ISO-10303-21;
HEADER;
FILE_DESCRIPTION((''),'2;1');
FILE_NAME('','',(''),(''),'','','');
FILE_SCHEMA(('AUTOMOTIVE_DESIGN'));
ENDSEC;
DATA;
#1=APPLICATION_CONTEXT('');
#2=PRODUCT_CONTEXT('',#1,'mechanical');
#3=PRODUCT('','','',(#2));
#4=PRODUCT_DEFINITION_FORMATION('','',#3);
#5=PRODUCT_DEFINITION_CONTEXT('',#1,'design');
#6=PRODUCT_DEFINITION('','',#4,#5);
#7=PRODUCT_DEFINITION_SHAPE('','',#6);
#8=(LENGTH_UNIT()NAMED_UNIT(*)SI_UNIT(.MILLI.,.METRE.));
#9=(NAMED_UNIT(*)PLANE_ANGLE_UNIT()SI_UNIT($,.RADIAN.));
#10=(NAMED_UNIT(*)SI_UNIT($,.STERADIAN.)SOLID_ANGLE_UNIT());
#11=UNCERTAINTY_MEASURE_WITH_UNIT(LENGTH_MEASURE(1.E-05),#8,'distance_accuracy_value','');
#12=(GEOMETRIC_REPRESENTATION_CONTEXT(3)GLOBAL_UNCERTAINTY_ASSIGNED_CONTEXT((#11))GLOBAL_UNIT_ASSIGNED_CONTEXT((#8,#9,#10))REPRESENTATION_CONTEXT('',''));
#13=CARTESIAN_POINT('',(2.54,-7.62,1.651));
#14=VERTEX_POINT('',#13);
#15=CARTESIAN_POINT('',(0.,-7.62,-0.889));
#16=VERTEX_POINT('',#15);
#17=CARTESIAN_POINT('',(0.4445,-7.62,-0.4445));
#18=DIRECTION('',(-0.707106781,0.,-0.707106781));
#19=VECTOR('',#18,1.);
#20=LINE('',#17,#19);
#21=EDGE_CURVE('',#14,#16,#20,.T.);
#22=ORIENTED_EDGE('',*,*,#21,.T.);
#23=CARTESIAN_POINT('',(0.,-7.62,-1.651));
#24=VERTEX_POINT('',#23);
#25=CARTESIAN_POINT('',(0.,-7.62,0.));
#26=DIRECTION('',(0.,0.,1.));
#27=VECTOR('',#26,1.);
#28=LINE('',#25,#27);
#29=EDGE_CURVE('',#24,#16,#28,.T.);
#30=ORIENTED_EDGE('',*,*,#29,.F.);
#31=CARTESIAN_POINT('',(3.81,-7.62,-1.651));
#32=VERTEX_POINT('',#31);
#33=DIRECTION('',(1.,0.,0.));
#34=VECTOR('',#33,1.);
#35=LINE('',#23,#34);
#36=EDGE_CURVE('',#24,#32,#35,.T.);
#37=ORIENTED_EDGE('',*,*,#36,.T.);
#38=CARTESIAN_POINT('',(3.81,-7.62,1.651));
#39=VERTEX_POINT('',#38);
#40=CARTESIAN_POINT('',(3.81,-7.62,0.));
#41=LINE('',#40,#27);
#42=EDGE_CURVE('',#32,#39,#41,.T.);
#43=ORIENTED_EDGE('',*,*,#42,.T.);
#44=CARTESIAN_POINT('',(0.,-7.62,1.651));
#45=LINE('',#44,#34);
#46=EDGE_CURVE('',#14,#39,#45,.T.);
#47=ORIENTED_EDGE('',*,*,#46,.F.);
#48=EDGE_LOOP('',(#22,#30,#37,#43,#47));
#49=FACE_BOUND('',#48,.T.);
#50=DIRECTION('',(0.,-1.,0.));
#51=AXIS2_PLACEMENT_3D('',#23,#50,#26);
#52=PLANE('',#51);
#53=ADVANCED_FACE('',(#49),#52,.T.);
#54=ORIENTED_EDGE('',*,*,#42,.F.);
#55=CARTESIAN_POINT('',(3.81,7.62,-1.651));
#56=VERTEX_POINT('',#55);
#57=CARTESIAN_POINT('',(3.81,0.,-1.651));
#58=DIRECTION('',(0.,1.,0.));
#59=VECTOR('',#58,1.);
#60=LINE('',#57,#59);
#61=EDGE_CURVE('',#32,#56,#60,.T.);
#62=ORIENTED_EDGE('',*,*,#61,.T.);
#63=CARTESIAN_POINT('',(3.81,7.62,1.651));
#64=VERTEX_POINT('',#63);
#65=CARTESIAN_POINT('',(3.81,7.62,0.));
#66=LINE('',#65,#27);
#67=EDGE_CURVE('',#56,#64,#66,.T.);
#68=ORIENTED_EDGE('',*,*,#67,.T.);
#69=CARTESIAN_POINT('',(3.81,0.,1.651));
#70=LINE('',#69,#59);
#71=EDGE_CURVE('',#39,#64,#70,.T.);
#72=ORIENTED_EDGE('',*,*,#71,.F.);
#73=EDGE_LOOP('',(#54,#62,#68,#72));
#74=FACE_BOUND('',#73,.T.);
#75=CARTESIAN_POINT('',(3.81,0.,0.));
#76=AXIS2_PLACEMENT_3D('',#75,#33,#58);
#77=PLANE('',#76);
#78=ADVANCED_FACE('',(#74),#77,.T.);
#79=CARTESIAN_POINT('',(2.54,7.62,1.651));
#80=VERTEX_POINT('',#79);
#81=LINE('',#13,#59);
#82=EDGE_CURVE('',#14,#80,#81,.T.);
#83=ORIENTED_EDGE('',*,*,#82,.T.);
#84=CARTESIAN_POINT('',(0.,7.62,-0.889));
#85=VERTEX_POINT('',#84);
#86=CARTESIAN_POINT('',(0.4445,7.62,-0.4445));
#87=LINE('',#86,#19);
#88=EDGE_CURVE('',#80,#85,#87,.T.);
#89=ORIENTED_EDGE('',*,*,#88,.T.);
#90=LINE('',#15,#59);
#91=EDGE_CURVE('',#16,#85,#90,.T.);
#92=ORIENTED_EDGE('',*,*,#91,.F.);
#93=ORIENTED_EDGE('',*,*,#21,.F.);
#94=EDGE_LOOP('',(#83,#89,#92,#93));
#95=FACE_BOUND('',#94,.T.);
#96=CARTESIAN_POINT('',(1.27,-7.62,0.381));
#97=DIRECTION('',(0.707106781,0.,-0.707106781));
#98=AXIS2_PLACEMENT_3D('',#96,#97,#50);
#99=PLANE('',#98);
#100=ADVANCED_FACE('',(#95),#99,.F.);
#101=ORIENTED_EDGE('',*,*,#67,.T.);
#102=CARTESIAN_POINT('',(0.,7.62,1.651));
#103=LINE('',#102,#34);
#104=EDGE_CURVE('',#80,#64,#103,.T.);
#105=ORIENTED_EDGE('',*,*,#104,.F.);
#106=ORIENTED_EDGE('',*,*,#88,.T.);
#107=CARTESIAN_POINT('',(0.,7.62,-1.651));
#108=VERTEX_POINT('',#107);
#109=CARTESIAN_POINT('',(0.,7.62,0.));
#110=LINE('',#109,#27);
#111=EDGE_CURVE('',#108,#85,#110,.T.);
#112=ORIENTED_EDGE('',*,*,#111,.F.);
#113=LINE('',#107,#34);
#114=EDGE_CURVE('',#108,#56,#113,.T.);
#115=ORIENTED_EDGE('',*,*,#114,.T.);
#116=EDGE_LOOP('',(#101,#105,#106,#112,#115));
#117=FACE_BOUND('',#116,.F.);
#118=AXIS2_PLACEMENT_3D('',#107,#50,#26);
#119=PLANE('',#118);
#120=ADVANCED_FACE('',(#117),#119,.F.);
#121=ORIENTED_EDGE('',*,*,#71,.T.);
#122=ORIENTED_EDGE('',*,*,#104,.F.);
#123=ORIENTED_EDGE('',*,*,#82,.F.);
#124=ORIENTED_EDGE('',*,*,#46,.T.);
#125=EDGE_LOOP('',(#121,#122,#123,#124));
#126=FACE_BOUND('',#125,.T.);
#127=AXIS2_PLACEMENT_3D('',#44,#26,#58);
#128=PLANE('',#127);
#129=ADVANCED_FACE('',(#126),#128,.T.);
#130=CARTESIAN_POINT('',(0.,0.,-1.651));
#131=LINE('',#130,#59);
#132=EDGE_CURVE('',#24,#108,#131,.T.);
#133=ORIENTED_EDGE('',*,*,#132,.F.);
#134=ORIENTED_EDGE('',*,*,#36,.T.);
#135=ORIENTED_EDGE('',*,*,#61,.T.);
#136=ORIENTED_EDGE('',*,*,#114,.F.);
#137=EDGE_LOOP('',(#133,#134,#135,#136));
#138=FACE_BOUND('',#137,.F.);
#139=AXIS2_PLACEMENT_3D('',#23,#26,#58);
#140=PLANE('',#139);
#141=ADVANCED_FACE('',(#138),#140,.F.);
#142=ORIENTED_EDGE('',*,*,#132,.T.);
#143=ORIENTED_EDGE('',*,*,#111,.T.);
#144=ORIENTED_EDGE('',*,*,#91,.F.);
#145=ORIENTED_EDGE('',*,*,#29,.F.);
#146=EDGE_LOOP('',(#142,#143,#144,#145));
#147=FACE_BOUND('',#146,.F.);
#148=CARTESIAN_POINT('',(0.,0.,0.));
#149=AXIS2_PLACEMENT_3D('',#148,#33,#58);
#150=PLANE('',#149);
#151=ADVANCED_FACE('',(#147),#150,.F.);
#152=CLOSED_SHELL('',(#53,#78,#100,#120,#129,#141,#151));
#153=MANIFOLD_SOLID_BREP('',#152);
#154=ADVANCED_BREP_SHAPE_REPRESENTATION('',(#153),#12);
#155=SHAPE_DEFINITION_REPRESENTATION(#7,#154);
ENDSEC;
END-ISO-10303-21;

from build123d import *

# Parameters (mm, degrees)
F0_W     = 15.24
F0_H     = 3.302
F1_DEPTH = 3.81
F2_SIZE  = 2.54


with BuildPart() as f1:
    # F0 (on Right) → F1 (new body)
    with BuildSketch(Plane.YZ):
        Rectangle(F0_W, F0_H)
    extrude(amount=F1_DEPTH)

    # F2
    f2_edges = [f1.edges().sort_by_distance(p)[0] for p in [
        (0, 0, 1.651),
    ]]
    chamfer(f2_edges, length=F2_SIZE)


solid = f1.part
